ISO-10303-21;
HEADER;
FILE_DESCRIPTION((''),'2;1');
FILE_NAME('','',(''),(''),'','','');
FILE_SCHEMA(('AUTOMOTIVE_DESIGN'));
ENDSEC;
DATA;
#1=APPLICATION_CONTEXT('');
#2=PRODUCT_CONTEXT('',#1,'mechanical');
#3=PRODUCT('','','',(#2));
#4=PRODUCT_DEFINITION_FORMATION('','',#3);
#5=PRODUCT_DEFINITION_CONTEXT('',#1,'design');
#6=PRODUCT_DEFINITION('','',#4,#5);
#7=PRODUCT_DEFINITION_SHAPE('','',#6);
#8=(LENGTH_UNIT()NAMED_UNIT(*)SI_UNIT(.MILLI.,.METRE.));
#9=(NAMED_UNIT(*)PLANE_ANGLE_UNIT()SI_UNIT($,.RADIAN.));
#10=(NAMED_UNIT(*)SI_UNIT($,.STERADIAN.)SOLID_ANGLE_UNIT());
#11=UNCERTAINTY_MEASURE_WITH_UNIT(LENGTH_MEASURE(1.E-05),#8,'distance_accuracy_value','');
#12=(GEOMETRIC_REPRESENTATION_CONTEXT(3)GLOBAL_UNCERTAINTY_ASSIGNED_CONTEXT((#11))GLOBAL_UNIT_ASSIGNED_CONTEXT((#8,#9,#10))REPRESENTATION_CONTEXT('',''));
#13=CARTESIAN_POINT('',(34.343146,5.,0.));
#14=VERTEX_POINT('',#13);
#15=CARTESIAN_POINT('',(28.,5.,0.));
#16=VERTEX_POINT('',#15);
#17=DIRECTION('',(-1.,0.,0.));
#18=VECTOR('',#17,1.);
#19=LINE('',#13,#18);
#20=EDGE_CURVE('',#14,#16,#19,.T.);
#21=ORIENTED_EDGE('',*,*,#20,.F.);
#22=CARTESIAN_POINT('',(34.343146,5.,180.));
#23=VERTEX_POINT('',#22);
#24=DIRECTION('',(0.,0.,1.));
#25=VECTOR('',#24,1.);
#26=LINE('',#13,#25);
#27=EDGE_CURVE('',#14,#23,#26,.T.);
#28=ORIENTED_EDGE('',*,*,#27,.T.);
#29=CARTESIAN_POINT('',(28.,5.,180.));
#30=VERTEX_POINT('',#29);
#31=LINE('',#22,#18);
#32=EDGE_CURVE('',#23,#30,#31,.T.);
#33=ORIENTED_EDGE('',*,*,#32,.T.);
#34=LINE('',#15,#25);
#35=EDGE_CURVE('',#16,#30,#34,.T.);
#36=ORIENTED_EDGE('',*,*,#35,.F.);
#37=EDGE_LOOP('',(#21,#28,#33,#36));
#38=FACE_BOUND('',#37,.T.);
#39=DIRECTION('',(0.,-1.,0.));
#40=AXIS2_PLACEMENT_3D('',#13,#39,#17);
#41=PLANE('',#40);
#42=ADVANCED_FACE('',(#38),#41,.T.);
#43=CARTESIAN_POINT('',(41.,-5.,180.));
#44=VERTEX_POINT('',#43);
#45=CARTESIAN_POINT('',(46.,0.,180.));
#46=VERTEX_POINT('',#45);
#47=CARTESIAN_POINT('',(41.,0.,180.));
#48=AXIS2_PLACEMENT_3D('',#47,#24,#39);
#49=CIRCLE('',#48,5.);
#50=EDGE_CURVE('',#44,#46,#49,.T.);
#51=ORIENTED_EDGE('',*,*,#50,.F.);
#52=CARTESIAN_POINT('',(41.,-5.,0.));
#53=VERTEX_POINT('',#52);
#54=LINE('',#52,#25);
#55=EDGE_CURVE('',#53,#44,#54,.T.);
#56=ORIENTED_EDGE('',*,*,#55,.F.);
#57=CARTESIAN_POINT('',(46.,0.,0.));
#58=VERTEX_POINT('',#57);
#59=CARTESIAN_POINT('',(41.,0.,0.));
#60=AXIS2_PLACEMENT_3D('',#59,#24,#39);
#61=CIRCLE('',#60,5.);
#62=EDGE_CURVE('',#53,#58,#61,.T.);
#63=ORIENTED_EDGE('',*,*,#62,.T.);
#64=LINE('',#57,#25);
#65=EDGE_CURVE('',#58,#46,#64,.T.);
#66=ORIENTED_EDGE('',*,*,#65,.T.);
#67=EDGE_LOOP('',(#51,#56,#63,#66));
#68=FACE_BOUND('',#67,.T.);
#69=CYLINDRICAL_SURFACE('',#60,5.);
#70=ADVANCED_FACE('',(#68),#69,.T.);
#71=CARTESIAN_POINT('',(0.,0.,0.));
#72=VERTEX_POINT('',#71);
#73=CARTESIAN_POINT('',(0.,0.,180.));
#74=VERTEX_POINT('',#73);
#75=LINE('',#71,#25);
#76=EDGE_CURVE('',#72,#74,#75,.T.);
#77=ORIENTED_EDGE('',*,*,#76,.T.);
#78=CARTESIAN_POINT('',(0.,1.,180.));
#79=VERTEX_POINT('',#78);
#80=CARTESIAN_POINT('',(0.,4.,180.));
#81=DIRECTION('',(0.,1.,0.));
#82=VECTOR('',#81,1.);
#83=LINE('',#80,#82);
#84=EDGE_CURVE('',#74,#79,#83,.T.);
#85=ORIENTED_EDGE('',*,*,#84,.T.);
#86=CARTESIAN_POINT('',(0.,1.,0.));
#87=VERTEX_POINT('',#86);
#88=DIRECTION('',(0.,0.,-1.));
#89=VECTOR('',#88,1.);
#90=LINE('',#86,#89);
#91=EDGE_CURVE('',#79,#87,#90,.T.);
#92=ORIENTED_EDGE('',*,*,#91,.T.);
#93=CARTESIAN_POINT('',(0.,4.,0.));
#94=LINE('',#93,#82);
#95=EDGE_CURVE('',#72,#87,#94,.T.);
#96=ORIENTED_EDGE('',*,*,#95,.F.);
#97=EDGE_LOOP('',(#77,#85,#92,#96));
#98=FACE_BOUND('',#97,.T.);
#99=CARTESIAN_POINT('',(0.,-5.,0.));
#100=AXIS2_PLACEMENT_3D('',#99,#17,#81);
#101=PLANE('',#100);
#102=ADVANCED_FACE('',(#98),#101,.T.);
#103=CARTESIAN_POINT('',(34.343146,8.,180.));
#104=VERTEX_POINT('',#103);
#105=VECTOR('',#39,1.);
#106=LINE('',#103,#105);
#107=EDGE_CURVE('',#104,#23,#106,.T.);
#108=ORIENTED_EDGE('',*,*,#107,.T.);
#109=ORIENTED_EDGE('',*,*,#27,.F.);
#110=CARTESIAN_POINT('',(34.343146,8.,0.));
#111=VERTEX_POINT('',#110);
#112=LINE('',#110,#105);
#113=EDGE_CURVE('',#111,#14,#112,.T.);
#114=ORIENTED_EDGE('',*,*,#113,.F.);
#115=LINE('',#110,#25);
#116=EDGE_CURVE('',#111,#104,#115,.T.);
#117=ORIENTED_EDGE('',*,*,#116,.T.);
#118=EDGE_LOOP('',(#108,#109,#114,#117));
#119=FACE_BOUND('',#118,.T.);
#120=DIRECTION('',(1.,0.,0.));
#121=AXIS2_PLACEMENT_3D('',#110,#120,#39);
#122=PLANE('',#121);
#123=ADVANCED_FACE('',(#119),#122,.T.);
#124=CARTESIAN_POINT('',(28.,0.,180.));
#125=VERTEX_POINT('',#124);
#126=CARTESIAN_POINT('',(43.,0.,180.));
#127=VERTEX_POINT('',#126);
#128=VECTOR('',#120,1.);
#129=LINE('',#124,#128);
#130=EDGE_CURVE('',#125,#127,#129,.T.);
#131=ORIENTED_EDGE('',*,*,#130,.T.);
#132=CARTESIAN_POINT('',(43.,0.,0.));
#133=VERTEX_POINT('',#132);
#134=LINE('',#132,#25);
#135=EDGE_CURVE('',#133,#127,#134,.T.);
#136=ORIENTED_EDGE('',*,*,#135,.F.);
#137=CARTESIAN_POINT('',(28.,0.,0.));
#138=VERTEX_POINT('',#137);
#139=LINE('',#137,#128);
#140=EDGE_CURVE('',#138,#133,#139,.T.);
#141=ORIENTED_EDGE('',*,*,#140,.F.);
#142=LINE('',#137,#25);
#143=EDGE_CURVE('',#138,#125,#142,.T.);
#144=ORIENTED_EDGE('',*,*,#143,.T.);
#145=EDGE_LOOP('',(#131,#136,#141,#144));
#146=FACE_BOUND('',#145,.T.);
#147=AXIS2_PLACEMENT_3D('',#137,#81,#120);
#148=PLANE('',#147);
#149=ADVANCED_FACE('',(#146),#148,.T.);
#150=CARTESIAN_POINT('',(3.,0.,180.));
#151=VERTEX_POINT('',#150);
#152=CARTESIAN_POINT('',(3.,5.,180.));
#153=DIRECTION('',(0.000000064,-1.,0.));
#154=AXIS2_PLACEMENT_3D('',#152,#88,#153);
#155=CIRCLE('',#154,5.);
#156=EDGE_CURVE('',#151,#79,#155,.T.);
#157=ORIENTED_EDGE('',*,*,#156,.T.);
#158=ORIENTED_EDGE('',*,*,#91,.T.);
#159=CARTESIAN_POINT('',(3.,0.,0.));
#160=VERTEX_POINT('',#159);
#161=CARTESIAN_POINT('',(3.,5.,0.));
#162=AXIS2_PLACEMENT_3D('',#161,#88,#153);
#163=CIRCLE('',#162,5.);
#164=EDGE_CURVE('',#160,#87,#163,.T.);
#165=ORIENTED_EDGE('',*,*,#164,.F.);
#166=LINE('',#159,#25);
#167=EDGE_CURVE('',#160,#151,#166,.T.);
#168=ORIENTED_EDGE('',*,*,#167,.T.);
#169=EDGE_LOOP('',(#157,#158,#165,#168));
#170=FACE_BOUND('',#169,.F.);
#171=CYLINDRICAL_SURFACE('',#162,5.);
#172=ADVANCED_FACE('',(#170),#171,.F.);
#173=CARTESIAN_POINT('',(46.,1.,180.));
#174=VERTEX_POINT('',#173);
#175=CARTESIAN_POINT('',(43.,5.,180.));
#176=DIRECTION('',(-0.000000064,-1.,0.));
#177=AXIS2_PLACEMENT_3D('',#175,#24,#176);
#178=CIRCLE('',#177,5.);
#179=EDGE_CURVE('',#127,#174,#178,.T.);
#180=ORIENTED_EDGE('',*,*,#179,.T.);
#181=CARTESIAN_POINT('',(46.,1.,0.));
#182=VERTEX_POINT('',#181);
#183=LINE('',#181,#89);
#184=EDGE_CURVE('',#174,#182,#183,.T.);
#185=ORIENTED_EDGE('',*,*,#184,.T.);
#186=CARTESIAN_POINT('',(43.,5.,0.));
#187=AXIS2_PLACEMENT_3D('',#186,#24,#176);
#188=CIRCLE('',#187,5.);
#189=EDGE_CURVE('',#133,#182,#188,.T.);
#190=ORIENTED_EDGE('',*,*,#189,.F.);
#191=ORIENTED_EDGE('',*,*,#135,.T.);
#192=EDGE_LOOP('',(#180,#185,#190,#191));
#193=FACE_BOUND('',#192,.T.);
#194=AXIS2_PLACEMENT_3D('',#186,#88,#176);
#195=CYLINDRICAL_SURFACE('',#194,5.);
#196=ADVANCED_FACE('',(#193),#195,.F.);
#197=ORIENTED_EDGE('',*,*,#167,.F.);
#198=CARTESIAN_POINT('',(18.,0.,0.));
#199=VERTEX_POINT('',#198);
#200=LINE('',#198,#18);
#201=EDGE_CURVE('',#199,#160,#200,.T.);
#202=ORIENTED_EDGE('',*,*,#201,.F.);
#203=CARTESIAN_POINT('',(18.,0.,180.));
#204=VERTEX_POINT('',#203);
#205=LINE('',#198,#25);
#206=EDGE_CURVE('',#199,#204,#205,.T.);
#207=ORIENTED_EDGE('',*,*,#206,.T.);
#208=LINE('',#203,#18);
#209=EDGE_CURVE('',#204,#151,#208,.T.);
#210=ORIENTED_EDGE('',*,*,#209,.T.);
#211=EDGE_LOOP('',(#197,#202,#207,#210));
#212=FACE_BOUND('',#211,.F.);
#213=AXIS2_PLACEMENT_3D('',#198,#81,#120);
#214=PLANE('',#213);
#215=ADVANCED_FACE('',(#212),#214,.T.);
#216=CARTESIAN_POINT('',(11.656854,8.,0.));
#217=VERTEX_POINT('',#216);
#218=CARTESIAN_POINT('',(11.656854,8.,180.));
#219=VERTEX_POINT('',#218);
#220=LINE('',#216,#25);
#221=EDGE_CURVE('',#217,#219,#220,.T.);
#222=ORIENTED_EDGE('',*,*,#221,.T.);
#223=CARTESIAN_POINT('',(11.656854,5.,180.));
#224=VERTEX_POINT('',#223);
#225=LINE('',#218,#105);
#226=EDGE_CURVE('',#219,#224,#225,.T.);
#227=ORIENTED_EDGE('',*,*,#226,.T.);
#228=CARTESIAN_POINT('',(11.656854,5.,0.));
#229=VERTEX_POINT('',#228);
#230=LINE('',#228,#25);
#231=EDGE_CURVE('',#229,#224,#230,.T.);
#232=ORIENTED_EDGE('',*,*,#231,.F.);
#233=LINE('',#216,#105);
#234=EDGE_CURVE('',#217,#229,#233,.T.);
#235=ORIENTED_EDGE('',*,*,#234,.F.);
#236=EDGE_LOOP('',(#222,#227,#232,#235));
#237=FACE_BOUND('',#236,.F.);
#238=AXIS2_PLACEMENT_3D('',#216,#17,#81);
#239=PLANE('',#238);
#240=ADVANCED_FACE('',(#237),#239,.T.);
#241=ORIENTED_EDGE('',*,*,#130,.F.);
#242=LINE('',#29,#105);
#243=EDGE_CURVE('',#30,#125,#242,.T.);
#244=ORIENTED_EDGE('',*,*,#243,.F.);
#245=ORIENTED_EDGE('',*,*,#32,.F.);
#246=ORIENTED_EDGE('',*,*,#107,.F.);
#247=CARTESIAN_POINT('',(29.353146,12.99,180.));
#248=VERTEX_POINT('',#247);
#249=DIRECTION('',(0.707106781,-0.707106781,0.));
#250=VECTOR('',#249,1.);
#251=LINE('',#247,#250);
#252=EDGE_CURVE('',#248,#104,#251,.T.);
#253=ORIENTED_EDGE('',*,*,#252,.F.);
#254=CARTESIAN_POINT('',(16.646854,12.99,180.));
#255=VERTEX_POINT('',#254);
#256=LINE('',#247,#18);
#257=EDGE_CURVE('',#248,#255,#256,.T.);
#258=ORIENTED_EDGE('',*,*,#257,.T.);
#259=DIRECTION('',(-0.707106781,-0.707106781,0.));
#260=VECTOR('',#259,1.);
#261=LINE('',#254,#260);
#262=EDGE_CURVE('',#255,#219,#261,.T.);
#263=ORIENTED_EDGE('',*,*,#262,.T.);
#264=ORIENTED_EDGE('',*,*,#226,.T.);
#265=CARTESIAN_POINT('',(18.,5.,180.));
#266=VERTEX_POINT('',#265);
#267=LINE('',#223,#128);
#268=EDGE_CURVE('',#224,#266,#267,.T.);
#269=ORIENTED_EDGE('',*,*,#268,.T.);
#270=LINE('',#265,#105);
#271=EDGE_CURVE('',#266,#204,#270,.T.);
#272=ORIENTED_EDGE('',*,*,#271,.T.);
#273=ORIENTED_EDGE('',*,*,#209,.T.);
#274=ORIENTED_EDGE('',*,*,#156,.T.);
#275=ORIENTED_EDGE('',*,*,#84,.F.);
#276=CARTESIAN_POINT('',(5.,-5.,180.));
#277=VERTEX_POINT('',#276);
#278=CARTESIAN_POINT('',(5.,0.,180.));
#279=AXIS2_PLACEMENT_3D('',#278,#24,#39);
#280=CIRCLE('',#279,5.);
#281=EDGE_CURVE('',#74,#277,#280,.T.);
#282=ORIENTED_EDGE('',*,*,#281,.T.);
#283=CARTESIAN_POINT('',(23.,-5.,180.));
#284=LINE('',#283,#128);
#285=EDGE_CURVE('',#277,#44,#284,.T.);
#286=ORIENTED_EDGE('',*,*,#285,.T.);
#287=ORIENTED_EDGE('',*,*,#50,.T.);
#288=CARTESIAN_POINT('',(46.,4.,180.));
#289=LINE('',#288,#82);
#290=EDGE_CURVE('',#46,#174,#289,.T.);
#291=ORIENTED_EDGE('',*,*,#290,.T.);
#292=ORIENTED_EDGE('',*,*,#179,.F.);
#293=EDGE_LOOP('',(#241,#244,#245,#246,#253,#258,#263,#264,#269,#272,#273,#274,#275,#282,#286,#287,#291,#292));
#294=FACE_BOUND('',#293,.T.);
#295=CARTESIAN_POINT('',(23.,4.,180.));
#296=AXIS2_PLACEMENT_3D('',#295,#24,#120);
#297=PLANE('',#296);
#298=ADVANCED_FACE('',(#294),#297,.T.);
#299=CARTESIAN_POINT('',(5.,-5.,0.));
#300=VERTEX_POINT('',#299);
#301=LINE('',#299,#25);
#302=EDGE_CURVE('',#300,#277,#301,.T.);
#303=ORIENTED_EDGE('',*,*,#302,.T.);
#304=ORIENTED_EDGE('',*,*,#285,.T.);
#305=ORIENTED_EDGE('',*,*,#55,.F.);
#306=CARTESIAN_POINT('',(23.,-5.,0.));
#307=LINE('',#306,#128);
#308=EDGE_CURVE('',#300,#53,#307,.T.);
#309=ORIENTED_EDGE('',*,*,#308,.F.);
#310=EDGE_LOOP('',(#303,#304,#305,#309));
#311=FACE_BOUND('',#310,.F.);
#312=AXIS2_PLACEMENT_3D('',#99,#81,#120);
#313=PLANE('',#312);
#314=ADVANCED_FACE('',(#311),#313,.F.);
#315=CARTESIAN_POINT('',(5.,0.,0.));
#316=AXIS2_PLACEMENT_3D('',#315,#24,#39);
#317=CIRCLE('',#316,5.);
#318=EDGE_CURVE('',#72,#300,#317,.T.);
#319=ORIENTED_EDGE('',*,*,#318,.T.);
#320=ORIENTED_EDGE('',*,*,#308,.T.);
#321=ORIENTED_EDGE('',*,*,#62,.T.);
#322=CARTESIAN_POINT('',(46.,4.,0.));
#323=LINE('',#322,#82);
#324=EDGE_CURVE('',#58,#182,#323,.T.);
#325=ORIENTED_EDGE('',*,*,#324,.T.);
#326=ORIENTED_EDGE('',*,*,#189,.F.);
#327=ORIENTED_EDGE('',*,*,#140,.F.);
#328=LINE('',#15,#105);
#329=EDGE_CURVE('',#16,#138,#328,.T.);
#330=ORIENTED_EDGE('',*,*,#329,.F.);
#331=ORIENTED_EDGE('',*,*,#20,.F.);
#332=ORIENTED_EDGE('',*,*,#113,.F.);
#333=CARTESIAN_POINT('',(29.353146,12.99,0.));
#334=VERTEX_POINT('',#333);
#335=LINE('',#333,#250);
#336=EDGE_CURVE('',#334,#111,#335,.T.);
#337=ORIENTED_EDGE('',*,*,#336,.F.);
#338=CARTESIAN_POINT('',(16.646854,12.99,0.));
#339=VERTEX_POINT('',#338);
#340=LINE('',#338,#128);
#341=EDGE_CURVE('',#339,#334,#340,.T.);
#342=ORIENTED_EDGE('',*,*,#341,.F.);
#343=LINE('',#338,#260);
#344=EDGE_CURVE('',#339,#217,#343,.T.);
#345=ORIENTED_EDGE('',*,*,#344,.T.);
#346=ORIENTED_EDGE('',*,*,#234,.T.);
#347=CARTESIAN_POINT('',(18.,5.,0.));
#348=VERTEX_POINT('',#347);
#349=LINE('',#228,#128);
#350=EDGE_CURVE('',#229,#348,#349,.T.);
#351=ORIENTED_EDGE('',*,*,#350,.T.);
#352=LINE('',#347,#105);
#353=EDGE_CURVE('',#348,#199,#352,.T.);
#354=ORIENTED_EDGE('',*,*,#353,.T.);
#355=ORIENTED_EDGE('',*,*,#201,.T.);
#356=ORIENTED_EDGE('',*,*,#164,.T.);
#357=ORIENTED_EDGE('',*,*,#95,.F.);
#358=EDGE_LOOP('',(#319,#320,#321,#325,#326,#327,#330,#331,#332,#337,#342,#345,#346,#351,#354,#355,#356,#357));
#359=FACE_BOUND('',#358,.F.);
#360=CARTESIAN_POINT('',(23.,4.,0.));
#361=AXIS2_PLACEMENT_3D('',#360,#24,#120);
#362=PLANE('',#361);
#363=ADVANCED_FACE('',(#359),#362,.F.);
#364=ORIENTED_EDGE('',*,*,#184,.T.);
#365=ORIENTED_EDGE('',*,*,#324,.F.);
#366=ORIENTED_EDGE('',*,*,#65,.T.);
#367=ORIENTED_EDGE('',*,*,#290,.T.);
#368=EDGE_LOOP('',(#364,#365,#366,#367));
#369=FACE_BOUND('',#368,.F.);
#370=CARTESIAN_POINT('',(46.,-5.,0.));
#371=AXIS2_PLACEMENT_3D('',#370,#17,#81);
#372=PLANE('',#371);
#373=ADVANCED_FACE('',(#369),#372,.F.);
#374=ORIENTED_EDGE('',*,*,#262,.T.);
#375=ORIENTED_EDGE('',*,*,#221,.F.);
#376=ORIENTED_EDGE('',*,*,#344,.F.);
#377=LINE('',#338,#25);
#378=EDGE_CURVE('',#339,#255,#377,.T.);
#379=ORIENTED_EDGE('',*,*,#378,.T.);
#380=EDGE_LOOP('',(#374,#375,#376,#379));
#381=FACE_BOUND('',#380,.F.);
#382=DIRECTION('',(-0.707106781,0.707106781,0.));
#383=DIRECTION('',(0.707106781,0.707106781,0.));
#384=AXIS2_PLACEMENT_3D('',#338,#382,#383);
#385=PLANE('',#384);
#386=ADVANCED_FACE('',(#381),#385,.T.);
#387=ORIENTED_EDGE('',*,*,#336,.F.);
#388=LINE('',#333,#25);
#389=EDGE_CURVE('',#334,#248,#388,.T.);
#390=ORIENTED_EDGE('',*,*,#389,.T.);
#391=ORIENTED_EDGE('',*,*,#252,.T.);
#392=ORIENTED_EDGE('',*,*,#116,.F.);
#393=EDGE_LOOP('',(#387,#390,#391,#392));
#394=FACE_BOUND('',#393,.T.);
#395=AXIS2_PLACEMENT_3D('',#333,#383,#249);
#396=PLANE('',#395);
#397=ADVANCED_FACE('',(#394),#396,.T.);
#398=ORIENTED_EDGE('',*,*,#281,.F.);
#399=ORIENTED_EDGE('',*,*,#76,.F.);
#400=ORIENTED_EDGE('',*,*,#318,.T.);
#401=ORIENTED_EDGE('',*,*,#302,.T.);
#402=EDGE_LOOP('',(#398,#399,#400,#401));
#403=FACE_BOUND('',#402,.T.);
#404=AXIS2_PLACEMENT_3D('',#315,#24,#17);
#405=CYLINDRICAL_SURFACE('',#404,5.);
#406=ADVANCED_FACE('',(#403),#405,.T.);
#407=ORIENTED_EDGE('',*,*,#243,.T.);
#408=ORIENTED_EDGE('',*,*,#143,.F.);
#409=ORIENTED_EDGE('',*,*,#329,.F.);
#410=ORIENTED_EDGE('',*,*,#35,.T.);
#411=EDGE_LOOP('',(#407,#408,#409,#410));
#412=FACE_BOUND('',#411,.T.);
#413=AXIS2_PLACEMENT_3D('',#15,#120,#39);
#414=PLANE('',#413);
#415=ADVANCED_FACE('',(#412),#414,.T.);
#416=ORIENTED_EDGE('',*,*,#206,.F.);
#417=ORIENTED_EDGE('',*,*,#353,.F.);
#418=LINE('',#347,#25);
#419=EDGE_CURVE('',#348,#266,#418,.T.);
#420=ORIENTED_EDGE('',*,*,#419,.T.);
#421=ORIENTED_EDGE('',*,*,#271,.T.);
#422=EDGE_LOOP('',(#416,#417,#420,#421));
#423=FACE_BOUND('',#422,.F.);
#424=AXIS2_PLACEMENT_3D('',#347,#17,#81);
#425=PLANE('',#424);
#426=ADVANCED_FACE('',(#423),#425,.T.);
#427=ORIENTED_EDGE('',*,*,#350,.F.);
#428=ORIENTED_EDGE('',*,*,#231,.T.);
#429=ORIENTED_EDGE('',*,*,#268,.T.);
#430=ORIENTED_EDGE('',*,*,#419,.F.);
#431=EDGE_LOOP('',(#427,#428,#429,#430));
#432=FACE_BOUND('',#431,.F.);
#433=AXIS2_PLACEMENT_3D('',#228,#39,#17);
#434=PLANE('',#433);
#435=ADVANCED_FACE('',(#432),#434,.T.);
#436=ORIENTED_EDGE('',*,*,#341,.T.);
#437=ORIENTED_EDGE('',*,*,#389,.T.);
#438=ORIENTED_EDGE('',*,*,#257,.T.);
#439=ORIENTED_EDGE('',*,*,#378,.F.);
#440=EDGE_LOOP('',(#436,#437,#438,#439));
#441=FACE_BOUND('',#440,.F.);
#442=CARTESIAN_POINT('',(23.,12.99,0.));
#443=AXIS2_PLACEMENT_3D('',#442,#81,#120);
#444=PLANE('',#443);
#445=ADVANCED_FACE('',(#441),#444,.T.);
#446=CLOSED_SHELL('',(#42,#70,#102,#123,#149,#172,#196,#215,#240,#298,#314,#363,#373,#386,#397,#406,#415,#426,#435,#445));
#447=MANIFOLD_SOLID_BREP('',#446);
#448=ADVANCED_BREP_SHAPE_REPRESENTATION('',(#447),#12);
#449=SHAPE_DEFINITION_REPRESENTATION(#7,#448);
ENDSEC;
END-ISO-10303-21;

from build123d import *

# Parameters (mm, degrees)
PAD_DEPTH              = 180
FUSION_PLACEMENT_ANGLE = 90
BOX_W                  = 46
BOX_H                  = 18
BOX_DEPTH              = 180
FILLET_R               = 5


with BuildPart() as pad:
    # Sketch → Pad (new body)
    with BuildSketch(Plane.XY):
        with BuildLine():
            Line((-4.01, 0), (-12.01, 0))
            Line((-12.01, 0), (-12.01, -6.353146))
            Line((-12.01, -6.353146), (-17, -11.343146))
            Line((-17, -11.343146), (-20, -11.343146))
            Line((-20, -11.343146), (-20, -5))
            Line((-20, -5), (-25, -5))
            Line((-25, -5), (-25, -20))
            ThreePointArc((-25, -20), (-23.535534, -23.535534), (-20, -25))
            Line((-20, -25), (-5, -25))
            Line((-5, -25), (-5, -20))
            Line((-5, -20), (-11.343146, -20))
            Line((-11.343146, -20), (-11.343146, -17))
            Line((-11.343146, -17), (-6.353146, -12.01))
            Line((-6.353146, -12.01), (0, -12.01))
            Line((0, -12.01), (0, -4.01))
            ThreePointArc((-4.01, 0), (-2.835498, -2.835498), (0, -4.01))
        make_face()
    extrude(amount=PAD_DEPTH)


with BuildPart() as part_mirroring:
    # Part__Mirroring: instance of Pad
    add(pad.part.mirror(Plane(origin=(0, 0, 0), x_dir=(1, 0, 0), z_dir=(0, 1, 0))))


with BuildPart() as fusion:
    # Fusion base: copy of Pad
    add(pad.part)

    # Fusion: union Part__Mirroring
    add(part_mirroring.part)


with BuildPart() as fusion_1:
    # Fusion placement: moved
    add(fusion.part.moved(Location((23, 25, 0))).rotate(Axis((23, 25, 0), (0, 0, 1)), FUSION_PLACEMENT_ANGLE))


with BuildPart() as fillet_body:
    # Box → Box (new body)
    with BuildSketch(Plane(origin=(0, -5, 0), x_dir=(1, 0, 0), z_dir=(0, 0, 1))):
        with Locations((23, 9)):
            Rectangle(BOX_W, BOX_H)
    extrude(amount=BOX_DEPTH)

    # Cut: cut Fusion
    add(fusion_1.part, mode=Mode.SUBTRACT)

    # Fillet
    fillet_edges = [fillet_body.edges().sort_by_distance(p)[0] for p in [
        (0, -5, 90),
        (46, -5, 90),
    ]]
    fillet(fillet_edges, radius=FILLET_R)


solid = fillet_body.part
